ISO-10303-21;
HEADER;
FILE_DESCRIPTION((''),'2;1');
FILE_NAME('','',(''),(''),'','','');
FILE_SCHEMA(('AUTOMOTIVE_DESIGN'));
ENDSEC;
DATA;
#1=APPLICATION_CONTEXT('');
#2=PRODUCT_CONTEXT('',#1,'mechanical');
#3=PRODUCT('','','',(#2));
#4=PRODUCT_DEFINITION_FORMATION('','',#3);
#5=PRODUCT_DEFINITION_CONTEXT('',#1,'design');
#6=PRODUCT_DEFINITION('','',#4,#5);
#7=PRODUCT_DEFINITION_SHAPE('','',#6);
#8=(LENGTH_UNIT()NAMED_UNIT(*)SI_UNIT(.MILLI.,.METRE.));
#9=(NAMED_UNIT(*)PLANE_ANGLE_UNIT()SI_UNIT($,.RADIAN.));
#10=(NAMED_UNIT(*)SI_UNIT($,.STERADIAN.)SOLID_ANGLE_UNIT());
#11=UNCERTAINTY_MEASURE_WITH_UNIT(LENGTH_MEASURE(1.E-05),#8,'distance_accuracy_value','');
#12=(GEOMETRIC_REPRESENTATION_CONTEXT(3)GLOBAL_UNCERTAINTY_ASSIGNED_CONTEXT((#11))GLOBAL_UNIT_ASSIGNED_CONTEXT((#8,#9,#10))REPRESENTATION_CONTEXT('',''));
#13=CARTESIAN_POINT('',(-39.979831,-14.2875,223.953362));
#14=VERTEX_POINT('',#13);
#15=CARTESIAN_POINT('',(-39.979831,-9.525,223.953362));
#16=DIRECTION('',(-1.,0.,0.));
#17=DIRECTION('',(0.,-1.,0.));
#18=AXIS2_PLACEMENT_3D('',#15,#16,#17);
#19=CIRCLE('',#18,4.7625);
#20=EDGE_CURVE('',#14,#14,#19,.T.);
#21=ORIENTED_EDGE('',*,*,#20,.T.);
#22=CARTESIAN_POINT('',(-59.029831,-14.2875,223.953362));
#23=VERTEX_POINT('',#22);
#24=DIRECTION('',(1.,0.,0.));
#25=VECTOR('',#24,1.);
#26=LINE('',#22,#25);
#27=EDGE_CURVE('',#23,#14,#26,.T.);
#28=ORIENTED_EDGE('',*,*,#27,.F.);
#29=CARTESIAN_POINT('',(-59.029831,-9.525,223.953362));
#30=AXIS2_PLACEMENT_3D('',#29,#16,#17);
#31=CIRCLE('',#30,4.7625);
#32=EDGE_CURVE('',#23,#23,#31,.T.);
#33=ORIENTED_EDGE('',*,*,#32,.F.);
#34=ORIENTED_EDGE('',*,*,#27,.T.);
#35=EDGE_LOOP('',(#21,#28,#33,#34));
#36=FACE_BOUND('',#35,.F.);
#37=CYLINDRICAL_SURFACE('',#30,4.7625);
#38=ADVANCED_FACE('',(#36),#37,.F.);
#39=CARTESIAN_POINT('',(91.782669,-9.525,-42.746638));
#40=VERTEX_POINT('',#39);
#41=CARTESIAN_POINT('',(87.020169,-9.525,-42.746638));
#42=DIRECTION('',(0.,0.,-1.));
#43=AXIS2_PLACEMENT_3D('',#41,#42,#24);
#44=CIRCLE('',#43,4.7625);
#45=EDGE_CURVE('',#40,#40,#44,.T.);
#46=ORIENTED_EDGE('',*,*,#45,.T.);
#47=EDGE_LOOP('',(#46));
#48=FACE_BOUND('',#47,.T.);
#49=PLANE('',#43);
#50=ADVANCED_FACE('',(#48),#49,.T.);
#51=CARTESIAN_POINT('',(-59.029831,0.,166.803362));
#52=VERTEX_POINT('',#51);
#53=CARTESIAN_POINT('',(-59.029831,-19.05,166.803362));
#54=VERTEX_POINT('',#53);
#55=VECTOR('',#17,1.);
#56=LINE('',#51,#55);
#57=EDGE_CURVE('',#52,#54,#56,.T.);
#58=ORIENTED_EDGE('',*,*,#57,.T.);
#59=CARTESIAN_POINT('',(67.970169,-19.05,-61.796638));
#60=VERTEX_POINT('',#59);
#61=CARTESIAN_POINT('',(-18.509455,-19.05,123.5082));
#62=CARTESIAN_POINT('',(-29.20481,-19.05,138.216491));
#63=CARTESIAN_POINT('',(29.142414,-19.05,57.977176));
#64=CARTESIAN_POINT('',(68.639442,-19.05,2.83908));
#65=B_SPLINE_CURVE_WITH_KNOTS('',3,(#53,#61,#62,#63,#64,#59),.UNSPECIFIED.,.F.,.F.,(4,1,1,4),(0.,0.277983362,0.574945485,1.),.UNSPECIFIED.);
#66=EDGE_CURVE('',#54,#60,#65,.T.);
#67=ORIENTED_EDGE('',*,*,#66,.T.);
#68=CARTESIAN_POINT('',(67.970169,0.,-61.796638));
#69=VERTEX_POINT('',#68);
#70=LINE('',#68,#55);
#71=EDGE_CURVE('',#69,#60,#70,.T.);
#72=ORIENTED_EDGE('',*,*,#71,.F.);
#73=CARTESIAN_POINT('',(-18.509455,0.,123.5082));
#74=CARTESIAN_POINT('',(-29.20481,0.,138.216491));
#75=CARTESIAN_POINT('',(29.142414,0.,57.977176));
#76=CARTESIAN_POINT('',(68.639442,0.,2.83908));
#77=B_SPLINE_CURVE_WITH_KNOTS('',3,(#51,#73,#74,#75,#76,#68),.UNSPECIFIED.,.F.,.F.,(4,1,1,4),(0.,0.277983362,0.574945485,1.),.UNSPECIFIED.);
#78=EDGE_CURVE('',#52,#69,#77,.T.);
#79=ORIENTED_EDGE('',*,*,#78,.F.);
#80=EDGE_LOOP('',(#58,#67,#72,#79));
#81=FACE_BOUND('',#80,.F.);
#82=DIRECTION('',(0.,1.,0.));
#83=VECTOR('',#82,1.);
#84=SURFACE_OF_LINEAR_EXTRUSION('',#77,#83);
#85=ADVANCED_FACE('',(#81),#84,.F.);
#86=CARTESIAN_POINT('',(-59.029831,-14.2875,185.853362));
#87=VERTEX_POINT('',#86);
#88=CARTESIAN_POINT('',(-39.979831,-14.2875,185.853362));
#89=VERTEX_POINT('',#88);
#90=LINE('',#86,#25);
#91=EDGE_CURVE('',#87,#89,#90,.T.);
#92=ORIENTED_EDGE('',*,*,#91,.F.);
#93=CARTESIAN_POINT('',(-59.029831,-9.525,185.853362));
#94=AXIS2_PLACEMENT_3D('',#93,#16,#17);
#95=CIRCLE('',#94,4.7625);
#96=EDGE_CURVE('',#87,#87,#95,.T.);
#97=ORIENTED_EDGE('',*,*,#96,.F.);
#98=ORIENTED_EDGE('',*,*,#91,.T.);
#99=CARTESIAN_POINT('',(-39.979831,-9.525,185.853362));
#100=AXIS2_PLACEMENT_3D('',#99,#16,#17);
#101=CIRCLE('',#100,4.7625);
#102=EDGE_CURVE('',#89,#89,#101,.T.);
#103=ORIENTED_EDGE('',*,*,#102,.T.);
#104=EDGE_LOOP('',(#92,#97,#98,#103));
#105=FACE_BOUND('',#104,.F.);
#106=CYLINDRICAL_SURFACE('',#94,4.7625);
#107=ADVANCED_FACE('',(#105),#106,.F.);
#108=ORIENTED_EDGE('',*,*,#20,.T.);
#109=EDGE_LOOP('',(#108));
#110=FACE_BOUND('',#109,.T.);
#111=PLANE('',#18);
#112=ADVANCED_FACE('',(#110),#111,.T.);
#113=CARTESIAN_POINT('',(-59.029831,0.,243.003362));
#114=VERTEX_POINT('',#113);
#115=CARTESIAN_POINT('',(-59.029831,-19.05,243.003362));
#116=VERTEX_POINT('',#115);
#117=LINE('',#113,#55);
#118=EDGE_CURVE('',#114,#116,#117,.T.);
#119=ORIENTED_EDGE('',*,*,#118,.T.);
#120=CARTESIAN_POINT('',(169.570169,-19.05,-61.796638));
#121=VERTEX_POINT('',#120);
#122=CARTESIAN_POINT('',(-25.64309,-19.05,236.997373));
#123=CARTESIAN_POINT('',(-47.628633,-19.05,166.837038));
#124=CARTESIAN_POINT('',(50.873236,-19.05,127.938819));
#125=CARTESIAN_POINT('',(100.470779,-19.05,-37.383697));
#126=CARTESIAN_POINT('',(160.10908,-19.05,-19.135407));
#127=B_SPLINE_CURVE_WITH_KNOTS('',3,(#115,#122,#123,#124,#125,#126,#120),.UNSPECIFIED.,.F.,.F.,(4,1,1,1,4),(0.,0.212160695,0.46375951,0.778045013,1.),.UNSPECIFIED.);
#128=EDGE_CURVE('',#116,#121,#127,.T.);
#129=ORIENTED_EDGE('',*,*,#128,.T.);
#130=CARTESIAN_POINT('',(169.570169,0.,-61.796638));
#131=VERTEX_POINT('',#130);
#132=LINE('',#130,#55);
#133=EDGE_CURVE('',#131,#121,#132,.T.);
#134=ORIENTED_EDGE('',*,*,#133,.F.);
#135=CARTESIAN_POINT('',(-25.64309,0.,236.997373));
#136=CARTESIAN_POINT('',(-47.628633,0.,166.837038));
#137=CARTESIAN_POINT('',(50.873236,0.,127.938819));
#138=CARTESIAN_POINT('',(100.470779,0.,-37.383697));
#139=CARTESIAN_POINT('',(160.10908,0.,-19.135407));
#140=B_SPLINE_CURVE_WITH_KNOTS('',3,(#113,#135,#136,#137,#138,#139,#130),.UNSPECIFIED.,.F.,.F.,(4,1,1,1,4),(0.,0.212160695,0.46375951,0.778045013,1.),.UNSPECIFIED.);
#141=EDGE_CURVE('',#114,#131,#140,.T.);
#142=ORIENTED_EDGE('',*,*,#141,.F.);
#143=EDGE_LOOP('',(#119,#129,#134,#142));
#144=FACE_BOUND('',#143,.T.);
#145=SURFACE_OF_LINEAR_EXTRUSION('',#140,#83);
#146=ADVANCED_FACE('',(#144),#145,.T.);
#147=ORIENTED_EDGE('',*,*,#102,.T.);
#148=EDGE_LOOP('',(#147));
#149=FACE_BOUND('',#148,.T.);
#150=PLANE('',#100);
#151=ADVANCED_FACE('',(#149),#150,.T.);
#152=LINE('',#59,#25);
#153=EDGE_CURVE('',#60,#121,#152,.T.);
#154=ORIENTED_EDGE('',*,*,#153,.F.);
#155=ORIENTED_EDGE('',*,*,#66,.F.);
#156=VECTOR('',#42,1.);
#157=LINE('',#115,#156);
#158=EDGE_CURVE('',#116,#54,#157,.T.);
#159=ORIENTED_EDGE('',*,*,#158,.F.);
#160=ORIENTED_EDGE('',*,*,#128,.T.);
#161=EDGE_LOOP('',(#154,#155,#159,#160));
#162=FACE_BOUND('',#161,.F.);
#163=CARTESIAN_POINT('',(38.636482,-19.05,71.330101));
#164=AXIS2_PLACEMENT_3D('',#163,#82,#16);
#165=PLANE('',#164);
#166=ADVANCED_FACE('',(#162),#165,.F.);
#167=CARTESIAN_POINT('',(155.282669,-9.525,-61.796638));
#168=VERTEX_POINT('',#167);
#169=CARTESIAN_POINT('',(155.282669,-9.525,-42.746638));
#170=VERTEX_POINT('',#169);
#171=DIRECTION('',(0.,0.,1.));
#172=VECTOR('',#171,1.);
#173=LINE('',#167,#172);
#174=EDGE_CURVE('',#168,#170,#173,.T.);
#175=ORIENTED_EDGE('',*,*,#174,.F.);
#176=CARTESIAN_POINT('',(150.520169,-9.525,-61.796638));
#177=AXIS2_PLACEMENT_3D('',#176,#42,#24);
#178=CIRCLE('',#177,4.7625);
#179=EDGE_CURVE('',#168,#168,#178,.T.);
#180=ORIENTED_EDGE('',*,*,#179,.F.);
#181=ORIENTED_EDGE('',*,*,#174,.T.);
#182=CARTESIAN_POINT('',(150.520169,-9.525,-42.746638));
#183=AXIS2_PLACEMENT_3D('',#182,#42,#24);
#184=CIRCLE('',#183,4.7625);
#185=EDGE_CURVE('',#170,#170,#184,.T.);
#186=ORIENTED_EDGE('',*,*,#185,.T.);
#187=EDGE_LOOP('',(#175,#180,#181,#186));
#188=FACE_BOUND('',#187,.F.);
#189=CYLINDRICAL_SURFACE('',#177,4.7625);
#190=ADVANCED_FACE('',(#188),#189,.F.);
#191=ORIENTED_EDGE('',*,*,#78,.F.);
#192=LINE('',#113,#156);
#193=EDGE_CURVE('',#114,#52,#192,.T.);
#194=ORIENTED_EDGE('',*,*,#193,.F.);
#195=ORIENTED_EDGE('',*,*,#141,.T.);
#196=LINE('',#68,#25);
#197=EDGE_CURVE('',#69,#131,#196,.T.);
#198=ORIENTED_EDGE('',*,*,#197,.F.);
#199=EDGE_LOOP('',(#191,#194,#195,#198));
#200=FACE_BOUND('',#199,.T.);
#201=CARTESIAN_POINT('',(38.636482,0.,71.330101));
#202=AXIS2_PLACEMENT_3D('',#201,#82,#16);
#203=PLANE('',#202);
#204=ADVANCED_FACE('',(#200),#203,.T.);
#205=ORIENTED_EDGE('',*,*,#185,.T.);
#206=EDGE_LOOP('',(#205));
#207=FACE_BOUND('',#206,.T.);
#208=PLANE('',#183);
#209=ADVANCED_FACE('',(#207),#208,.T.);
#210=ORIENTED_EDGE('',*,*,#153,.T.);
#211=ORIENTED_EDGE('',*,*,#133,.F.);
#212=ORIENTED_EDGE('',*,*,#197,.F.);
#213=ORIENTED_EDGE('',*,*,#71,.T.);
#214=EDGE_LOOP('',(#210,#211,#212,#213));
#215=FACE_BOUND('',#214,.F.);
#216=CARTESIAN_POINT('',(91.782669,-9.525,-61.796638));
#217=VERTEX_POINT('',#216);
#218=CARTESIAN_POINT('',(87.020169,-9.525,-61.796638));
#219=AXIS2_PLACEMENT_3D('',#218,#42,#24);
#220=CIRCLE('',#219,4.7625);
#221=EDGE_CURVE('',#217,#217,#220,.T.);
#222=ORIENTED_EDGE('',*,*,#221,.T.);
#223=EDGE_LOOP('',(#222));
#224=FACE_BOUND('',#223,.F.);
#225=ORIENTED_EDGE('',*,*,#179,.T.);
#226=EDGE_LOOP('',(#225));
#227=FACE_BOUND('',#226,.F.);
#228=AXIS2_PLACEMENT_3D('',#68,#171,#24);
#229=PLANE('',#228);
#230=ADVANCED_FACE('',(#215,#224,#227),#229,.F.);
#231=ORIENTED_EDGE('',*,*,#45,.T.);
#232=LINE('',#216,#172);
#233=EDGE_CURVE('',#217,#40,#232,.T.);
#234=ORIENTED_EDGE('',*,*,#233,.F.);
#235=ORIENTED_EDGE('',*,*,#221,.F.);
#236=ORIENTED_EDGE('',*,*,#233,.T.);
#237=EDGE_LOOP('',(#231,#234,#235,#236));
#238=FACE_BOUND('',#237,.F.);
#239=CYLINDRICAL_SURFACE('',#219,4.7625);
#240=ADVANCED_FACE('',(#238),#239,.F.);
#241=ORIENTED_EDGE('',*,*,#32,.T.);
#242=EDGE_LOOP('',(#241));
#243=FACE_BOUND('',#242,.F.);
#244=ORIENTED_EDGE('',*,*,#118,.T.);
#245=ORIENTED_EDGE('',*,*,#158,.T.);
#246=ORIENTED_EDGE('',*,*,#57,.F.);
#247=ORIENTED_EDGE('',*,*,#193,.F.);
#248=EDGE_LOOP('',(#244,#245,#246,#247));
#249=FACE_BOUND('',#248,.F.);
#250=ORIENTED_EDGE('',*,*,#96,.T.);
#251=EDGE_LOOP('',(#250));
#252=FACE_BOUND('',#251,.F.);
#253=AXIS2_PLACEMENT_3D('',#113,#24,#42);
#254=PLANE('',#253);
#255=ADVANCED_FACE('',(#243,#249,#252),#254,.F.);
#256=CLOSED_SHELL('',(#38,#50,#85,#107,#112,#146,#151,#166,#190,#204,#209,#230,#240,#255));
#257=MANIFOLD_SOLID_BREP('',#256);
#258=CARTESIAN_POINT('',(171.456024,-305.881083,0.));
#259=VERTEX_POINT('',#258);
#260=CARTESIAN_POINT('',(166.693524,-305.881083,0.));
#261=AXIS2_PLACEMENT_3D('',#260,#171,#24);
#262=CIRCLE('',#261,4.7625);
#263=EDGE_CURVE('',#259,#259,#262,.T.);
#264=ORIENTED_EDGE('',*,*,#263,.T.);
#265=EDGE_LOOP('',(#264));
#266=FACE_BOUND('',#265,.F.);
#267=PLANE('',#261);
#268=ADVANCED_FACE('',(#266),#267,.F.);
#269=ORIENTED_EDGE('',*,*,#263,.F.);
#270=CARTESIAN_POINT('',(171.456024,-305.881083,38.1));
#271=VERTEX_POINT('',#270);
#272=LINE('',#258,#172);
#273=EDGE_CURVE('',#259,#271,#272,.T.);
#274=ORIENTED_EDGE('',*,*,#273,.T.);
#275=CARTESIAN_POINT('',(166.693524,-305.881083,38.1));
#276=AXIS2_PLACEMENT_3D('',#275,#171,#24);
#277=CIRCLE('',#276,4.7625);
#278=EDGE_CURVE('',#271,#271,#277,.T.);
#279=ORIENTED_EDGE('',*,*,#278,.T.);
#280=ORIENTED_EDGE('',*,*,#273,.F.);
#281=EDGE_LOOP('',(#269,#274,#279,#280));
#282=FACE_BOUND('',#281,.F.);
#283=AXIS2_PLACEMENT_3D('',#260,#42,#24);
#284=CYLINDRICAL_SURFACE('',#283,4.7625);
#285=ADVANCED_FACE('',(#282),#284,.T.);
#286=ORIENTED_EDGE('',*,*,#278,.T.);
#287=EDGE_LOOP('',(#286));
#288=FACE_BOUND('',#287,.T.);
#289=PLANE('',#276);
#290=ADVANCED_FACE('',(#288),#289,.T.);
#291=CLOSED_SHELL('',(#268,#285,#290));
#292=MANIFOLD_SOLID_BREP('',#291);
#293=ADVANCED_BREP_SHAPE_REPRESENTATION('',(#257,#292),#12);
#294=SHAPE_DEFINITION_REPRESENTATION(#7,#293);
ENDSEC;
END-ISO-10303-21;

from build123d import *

# Parameters (mm, degrees)
F2_DEPTH = 19.05
F3_R     = 4.7625
F4_DEPTH = 19.05
F5_R     = 4.7625
F6_DEPTH = 19.05
F7_R     = 4.7625
F8_DEPTH = 38.1


with BuildPart() as f2:
    # F1 (on Front) → F2 (new body)
    with BuildSketch(Plane.XZ):
        with BuildLine():
            add(Edge.make_bspline(
                [(-59.029830877, 243.003362101), (-25.6430901, 236.9973734133), (-47.6286333903, 166.8370381779), (50.8732357185, 127.9388190534), (100.4707793595, -37.3836970074), (160.1090798011, -19.1354067202), (169.570169123, -61.796637899)],
                knots=[0, 0, 0, 0, 0.2121606947, 0.4637595102, 0.778045013, 1, 1, 1, 1], degree=3))
            Line((-59.029830877, 243.003362101), (-59.029830877, 166.803362101))
            add(Edge.make_bspline(
                [(-59.029830877, 166.803362101), (-18.5094550252, 123.5082000494), (-29.2048099449, 138.2164911571), (29.1424137517, 57.9771762488), (68.6394424497, 2.8390802152), (67.970169123, -61.796637899)],
                knots=[0, 0, 0, 0, 0.2779833625, 0.5749454845, 1, 1, 1, 1], degree=3))
            Line((67.970169123, -61.796637899), (169.570169123, -61.796637899))
        make_face()
    extrude(amount=F2_DEPTH)

    # F3 (on face) → F4 (cut)
    with BuildSketch(Plane(origin=(-59.029830877, 0, 0), x_dir=(0, -1, 0), z_dir=(-1, 0, 0))):
        with Locations((9.525, 223.953362101)):
            Circle(F3_R)
        with Locations((9.525, 185.853362101)):
            Circle(F3_R)
    extrude(amount=-F4_DEPTH, mode=Mode.SUBTRACT)

    # F5 (on face) → F6 (cut)
    with BuildSketch(Plane(origin=(0, 0, -61.796637899), x_dir=(1, 0, 0), z_dir=(0, 0, -1))):
        with Locations((150.520169123, 9.525)):
            Circle(F5_R)
        with Locations((87.020169123, 9.525)):
            Circle(F5_R)
    extrude(amount=-F6_DEPTH, mode=Mode.SUBTRACT)


with BuildPart() as f8:
    # F7 (on Top) → F8 (new body)
    with BuildSketch(Plane.XY):
        with Locations((166.6935235262, -305.8810830116)):
            Circle(F7_R)
    extrude(amount=F8_DEPTH)


solid = Compound([f2.part, f8.part])
